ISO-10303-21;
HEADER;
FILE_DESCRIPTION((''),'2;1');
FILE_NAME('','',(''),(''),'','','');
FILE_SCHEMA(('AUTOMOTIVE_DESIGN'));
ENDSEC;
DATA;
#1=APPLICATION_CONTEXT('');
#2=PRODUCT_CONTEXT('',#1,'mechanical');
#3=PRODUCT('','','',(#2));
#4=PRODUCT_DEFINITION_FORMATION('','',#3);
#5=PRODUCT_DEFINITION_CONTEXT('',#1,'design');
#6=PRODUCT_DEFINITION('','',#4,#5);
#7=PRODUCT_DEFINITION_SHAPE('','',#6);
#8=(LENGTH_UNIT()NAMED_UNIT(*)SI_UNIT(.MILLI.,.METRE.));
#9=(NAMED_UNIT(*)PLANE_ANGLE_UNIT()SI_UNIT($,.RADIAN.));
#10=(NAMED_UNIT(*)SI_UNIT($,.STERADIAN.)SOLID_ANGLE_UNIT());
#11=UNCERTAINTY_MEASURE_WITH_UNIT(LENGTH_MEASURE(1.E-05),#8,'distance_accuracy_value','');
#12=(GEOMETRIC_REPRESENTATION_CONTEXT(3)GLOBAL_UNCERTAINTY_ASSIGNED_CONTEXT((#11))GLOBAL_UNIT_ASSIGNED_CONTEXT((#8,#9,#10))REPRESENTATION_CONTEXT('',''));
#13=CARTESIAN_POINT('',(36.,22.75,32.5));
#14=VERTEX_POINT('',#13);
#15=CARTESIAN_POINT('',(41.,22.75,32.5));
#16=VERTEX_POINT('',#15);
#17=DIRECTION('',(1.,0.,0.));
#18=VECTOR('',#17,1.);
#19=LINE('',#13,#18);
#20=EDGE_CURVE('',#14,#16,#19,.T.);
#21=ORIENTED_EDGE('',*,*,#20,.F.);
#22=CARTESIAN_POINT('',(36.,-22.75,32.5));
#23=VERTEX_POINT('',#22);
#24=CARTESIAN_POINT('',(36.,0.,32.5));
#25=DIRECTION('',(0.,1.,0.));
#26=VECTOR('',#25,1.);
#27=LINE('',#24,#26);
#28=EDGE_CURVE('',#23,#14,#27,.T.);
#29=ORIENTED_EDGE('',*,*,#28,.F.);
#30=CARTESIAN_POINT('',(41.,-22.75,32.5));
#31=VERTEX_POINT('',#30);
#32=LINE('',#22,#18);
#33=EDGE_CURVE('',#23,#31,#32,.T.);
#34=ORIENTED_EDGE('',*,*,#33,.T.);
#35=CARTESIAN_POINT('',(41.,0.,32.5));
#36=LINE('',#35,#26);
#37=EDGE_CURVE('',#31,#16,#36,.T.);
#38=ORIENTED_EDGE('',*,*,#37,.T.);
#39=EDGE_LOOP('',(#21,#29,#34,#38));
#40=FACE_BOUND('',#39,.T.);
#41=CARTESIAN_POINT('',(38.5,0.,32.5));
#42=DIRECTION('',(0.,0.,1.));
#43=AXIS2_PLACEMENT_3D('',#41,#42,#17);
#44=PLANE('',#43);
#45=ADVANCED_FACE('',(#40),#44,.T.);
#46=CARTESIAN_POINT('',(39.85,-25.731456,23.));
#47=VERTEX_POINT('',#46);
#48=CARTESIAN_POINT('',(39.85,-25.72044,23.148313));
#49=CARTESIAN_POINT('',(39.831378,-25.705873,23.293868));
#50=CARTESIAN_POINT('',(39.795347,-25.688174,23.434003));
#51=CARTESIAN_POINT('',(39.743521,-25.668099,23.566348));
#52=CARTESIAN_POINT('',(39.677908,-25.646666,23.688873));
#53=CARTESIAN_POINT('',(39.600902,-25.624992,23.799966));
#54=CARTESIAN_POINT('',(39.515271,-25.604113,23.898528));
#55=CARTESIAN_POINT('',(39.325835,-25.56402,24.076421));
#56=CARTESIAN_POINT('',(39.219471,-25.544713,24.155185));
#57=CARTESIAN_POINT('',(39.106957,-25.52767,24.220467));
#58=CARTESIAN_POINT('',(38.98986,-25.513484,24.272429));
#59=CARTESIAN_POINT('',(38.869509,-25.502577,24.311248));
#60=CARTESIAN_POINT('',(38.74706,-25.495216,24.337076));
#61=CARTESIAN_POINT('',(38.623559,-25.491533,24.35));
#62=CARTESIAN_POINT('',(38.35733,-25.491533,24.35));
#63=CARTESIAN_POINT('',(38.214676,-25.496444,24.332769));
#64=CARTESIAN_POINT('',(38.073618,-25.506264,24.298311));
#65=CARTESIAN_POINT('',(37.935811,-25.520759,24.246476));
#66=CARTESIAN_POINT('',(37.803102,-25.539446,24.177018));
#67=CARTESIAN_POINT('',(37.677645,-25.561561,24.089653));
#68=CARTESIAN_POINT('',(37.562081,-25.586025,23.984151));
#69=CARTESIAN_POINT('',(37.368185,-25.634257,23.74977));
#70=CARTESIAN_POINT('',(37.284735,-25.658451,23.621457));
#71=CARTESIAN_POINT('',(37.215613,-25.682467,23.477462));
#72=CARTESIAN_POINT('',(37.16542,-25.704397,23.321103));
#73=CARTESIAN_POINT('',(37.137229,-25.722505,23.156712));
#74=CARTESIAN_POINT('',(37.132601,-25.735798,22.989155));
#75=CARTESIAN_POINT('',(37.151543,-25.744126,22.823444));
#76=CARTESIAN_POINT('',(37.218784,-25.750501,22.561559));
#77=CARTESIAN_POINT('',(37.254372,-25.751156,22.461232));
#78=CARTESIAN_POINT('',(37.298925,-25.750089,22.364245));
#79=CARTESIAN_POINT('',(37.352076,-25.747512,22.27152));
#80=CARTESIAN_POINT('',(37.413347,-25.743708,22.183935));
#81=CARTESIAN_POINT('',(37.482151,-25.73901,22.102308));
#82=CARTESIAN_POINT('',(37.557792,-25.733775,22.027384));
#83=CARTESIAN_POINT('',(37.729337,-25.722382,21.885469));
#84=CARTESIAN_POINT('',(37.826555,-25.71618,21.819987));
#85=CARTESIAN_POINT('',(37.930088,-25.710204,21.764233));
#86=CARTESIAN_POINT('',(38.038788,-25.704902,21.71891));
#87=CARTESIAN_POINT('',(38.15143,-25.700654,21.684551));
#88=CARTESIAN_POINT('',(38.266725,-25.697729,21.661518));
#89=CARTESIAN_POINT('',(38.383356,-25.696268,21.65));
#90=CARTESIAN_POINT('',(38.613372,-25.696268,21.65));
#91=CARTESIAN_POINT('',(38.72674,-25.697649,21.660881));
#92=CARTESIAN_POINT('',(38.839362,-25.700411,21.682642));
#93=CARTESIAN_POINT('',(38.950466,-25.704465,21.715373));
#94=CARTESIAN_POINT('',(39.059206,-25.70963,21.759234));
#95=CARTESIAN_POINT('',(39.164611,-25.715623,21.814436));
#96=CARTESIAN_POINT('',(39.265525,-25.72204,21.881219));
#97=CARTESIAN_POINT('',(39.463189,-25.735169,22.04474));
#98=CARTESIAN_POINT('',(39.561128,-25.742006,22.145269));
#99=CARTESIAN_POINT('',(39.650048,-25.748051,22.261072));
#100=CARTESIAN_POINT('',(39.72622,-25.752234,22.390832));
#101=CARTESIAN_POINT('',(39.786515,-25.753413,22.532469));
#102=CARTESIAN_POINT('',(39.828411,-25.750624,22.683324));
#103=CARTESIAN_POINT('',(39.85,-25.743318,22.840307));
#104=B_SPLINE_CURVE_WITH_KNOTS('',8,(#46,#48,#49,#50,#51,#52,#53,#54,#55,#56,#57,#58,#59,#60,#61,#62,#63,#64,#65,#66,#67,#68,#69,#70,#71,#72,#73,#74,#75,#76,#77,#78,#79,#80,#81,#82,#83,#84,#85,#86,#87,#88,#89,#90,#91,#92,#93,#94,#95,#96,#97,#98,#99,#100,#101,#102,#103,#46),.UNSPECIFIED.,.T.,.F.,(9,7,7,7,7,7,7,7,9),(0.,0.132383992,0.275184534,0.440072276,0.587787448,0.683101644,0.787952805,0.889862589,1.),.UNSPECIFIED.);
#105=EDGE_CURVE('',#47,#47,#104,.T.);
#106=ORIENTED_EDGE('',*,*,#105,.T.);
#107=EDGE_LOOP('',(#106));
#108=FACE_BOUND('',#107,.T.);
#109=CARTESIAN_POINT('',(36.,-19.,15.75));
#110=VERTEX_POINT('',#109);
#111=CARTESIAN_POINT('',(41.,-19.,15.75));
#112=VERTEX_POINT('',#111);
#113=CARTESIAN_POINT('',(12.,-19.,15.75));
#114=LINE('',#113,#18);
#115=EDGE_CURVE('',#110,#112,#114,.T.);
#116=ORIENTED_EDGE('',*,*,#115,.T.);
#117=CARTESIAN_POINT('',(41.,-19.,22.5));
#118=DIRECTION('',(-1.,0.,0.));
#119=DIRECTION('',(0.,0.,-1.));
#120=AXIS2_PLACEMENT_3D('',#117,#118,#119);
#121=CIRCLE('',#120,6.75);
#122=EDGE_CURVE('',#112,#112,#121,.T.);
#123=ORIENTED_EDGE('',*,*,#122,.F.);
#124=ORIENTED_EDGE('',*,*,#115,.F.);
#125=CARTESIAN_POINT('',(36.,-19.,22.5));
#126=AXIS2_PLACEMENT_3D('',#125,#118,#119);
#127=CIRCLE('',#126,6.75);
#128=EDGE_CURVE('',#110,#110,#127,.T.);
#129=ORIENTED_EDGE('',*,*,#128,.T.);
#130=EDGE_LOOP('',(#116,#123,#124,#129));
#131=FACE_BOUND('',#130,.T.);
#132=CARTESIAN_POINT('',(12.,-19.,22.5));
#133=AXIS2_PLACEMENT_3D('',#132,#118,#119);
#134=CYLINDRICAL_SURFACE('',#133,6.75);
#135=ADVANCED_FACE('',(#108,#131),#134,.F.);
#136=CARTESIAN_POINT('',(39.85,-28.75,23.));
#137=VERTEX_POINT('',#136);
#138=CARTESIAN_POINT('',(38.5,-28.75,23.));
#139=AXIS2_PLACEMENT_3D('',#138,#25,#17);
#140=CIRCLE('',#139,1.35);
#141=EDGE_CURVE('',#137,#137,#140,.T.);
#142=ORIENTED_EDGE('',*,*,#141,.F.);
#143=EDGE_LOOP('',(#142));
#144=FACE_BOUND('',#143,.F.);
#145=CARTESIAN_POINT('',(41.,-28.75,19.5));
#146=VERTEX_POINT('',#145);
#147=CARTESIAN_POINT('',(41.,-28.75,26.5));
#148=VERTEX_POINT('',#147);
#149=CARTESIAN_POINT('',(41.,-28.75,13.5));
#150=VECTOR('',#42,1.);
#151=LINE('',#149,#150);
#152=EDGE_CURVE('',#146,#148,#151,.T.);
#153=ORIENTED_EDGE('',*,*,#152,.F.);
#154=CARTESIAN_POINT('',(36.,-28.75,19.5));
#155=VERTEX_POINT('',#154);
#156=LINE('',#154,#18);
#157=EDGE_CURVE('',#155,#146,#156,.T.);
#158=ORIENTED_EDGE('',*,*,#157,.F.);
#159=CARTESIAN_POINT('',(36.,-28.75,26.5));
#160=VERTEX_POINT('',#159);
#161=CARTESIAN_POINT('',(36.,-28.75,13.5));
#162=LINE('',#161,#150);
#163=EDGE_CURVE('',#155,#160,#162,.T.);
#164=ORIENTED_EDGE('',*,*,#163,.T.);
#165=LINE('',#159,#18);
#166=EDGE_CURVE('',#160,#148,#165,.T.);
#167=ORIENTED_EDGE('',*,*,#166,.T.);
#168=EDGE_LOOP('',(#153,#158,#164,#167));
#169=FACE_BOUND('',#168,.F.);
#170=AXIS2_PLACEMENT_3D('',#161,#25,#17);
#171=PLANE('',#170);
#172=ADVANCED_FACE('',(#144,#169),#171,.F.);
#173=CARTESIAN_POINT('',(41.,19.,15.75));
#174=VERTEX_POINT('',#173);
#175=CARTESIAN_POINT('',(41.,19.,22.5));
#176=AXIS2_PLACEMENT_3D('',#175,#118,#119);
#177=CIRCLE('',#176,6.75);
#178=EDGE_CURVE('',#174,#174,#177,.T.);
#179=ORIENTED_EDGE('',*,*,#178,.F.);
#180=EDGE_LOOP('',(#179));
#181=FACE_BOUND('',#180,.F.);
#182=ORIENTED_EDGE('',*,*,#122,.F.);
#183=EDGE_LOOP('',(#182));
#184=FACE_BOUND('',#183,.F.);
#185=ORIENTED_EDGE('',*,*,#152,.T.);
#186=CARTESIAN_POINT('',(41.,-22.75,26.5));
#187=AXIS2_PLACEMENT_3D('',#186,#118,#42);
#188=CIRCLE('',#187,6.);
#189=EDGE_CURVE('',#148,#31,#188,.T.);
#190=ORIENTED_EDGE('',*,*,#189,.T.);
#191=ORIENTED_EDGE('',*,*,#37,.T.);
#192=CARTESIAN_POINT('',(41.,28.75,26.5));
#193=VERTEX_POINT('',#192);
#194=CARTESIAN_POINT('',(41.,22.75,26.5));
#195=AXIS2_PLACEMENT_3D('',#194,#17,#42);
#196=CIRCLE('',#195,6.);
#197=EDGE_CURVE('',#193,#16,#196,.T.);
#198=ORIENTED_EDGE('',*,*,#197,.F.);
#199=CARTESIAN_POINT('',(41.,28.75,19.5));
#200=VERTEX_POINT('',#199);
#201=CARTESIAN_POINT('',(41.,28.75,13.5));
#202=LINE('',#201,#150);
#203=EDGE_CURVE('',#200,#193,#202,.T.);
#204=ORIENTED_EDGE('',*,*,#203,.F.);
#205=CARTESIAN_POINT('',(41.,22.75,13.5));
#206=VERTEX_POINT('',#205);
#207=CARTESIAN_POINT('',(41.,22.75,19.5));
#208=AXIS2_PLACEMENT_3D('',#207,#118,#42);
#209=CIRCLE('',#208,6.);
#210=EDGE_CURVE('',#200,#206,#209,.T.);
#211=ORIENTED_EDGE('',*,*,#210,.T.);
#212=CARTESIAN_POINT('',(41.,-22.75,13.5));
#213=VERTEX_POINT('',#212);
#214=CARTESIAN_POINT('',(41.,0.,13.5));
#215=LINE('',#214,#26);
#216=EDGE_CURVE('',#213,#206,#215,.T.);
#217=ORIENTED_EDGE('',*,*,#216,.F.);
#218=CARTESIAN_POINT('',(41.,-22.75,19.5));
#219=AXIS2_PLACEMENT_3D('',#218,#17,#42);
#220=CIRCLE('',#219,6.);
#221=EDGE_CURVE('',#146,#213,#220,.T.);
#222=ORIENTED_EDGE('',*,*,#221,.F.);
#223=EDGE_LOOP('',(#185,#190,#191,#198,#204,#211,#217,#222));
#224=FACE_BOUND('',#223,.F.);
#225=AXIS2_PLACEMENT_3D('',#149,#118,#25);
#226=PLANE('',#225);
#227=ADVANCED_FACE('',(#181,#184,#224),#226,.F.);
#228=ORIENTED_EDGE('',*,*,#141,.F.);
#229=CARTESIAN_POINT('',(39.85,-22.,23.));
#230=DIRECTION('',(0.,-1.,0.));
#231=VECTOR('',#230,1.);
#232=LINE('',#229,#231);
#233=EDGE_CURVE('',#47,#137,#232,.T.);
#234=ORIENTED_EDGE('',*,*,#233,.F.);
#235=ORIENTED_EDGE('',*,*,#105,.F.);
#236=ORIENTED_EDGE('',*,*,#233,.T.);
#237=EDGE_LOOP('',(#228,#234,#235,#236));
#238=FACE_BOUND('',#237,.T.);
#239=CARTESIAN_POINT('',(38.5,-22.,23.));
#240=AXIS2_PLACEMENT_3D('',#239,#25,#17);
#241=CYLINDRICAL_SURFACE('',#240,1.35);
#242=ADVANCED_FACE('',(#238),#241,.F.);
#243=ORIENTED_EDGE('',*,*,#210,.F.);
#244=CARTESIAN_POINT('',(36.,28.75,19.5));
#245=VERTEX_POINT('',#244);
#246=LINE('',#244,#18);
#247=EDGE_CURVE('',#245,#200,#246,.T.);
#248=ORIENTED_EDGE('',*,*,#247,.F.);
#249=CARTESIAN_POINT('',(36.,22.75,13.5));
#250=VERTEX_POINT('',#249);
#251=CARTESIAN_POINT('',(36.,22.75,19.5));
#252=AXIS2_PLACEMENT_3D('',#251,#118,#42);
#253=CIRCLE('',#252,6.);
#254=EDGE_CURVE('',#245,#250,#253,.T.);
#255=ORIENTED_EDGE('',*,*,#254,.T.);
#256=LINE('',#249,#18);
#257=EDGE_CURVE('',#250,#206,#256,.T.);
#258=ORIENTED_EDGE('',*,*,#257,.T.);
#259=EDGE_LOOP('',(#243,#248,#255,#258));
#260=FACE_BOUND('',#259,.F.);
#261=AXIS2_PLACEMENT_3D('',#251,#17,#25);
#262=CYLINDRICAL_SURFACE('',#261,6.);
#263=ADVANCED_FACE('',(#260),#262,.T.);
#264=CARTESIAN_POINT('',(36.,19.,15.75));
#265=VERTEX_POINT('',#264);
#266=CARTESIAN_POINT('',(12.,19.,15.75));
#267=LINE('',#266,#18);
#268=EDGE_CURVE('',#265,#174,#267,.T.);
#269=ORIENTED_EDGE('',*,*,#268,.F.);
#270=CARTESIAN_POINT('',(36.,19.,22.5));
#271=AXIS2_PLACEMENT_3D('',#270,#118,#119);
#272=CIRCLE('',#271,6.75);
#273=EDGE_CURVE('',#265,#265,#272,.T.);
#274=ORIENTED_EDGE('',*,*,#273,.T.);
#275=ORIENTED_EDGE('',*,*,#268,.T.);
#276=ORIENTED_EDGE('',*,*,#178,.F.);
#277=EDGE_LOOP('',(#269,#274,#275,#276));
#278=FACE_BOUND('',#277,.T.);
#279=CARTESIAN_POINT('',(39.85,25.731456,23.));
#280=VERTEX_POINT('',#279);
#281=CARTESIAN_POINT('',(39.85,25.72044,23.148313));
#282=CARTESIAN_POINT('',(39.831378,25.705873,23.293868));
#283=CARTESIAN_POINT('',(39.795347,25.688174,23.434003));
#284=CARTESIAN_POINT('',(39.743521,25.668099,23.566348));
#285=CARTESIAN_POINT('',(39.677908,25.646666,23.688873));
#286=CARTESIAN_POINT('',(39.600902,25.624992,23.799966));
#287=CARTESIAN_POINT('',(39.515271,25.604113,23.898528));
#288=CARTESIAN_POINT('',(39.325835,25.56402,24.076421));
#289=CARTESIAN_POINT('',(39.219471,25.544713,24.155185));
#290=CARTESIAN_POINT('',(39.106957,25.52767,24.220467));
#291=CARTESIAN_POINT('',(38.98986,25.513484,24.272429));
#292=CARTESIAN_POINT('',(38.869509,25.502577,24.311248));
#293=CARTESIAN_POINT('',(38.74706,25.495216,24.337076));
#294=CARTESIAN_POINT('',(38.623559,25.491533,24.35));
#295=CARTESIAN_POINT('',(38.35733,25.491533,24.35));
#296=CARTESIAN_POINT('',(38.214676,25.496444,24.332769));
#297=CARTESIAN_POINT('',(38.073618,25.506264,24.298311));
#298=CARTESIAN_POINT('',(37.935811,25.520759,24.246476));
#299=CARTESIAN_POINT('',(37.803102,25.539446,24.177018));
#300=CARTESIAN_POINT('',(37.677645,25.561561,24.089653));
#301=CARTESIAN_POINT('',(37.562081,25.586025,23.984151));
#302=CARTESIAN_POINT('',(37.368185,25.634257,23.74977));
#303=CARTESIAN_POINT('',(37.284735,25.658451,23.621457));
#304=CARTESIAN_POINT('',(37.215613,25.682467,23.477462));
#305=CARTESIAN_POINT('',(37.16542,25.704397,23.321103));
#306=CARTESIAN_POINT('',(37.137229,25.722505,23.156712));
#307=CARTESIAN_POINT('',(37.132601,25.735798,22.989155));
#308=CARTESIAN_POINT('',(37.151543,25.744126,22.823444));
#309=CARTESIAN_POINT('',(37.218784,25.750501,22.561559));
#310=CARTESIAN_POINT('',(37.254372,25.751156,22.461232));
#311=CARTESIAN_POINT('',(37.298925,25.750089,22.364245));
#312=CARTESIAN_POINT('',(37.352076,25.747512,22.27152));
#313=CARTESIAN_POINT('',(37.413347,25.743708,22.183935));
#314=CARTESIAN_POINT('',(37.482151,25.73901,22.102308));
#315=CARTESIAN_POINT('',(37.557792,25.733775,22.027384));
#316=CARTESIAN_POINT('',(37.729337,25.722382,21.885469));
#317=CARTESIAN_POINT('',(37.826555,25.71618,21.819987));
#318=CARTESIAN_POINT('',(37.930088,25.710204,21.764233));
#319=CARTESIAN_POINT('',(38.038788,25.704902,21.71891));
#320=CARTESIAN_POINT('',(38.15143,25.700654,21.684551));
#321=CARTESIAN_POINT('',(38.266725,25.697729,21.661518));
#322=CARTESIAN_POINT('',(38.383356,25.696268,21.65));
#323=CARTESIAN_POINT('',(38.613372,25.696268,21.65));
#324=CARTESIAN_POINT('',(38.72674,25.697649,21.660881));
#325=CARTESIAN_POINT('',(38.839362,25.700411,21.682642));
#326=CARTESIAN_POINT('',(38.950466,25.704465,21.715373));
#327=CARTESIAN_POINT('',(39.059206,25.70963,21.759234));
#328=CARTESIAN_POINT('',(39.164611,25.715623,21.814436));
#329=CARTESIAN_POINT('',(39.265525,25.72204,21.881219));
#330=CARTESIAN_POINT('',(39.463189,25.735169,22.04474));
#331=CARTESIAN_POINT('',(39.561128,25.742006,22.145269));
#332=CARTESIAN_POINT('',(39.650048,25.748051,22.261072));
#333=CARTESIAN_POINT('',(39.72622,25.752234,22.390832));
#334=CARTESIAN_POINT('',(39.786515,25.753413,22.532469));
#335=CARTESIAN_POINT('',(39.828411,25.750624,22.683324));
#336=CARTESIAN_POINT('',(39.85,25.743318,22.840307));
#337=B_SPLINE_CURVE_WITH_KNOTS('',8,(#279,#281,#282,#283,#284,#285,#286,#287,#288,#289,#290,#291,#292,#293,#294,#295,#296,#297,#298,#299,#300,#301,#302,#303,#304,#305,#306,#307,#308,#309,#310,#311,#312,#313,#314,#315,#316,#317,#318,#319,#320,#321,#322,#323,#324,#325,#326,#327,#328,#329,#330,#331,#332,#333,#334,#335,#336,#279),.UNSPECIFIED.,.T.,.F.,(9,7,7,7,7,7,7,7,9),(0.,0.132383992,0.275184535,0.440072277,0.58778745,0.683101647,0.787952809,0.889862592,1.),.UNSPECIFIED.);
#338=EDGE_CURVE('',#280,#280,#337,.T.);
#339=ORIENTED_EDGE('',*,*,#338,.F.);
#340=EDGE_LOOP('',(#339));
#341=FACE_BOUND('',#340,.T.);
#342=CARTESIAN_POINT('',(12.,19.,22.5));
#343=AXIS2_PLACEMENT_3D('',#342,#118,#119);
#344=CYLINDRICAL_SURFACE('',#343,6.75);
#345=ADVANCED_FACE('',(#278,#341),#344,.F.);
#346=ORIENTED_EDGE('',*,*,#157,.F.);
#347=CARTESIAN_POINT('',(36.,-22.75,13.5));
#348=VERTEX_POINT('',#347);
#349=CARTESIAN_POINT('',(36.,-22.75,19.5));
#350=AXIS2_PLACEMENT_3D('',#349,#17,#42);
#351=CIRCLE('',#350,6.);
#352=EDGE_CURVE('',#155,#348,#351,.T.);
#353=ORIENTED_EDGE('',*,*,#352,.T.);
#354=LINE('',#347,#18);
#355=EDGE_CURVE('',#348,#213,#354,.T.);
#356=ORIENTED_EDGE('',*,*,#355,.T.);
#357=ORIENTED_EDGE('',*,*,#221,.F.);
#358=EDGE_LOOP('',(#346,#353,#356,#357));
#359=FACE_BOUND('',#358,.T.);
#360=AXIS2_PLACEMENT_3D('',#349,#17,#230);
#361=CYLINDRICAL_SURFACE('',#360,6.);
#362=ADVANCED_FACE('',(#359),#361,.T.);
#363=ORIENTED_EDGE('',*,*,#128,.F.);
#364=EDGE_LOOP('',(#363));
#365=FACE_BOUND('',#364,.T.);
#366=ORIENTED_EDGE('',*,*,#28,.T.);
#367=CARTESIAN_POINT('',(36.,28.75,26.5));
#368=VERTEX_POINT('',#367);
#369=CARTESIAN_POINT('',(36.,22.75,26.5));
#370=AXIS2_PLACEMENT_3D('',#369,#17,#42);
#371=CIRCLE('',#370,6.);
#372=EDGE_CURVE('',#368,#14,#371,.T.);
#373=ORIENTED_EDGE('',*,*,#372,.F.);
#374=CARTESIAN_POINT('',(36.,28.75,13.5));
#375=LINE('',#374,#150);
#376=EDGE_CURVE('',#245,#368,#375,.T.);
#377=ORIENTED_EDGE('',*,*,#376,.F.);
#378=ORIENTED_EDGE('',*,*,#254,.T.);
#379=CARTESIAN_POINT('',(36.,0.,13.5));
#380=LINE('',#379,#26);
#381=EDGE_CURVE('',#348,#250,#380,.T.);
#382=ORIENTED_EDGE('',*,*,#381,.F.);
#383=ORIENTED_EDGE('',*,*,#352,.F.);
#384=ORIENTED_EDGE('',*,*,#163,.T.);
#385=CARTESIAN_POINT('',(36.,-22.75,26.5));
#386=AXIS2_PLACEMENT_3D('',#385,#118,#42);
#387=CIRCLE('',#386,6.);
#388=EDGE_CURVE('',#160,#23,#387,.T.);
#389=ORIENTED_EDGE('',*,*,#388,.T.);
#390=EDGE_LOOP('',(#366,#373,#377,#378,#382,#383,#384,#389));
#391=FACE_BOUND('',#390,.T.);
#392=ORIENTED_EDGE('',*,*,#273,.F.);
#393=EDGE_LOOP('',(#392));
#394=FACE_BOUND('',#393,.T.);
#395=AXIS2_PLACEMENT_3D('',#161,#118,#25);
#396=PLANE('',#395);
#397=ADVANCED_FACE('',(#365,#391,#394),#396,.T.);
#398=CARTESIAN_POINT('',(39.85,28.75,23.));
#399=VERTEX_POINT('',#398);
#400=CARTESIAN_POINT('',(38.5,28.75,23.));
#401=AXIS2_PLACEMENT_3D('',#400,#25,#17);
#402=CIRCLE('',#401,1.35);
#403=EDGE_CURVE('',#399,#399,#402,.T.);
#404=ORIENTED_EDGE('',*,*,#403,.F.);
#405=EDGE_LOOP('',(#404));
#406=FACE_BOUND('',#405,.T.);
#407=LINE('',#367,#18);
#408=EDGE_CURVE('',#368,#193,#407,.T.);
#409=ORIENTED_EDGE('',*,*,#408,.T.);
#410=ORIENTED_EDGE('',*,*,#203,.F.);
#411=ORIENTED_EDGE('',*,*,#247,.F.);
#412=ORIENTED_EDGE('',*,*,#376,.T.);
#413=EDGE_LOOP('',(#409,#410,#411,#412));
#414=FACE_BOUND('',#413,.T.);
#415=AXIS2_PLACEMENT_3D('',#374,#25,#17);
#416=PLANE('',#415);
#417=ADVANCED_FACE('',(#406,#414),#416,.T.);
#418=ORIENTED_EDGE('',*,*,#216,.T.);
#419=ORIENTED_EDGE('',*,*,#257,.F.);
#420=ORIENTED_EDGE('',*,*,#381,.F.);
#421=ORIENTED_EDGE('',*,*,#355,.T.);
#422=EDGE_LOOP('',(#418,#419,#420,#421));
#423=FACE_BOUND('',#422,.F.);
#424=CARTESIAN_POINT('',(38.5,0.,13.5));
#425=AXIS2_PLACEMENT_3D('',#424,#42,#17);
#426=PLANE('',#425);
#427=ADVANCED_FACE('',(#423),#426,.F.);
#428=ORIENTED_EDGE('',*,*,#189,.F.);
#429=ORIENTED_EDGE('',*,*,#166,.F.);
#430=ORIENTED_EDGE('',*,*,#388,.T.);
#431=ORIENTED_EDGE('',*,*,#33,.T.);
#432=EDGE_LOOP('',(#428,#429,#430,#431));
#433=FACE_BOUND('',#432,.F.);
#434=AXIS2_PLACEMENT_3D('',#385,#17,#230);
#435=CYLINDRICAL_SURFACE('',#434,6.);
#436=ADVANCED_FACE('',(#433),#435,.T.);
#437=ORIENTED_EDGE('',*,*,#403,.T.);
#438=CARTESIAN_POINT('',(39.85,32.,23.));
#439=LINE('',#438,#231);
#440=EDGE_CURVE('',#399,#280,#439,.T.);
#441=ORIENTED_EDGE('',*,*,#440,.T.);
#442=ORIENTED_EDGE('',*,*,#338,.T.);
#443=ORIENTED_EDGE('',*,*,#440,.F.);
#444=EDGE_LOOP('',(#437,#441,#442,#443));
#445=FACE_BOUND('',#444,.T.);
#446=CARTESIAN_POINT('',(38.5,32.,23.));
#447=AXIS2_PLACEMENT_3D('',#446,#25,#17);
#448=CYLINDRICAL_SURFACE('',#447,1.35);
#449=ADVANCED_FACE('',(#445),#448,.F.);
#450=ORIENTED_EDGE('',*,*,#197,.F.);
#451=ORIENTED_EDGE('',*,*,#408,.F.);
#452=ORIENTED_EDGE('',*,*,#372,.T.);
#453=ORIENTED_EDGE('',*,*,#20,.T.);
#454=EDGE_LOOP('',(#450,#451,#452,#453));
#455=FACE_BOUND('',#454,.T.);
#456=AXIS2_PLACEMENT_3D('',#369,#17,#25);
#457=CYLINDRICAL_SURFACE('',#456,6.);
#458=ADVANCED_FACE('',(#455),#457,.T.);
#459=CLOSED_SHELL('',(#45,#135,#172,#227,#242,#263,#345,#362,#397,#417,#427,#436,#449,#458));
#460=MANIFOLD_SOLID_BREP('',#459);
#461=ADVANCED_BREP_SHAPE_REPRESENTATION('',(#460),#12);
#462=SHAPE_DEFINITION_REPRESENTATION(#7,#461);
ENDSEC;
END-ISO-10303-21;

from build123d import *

# Parameters (mm, degrees)
CYLINDER022_R     = 1.35
CYLINDER022_DEPTH = 10
CYLINDER021_R     = 1.35
CYLINDER021_DEPTH = 10
CYLINDER020_R     = 6.75
CYLINDER020_DEPTH = 50
CYLINDER019_R     = 6.75
CYLINDER019_DEPTH = 50
BOX005_W          = 5
BOX005_H          = 57.5
BOX005_DEPTH      = 19
FILLET007_R       = 6


with BuildPart() as cylinder017:
    # Cylinder022 → Cylinder022 (new body)
    with BuildSketch(Plane(origin=(2.5, -22, 23), x_dir=(1, 0, 0), z_dir=(0, -1, 0))):
        Circle(CYLINDER022_R)
    extrude(amount=CYLINDER022_DEPTH)


with BuildPart() as cylinder016:
    # Cylinder021 → Cylinder021 (new body)
    with BuildSketch(Plane(origin=(2.5, 32, 23), x_dir=(1, 0, 0), z_dir=(0, -1, 0))):
        Circle(CYLINDER021_R)
    extrude(amount=CYLINDER021_DEPTH)


with BuildPart() as tubo004:
    # Cylinder020 → Cylinder020 (new body)
    with BuildSketch(Plane(origin=(-24, 19, 22.5), x_dir=(0, 0, -1), z_dir=(1, 0, 0))):
        Circle(CYLINDER020_R)
    extrude(amount=CYLINDER020_DEPTH)


with BuildPart() as tubo003:
    # Cylinder019 → Cylinder019 (new body)
    with BuildSketch(Plane(origin=(-24, -19, 22.5), x_dir=(0, 0, -1), z_dir=(1, 0, 0))):
        Circle(CYLINDER019_R)
    extrude(amount=CYLINDER019_DEPTH)


with BuildPart() as soporte_separador_tubos:
    # Box005 → Box005 (new body)
    with BuildSketch(Plane(origin=(0, -28.75, 13.5), x_dir=(1, 0, 0), z_dir=(0, 0, 1))):
        with Locations((2.5, 28.75)):
            Rectangle(BOX005_W, BOX005_H)
    extrude(amount=BOX005_DEPTH)

    # Fillet007
    fillet007_edges = [soporte_separador_tubos.edges().sort_by_distance(p)[0] for p in [
        (2.5, -28.75, 13.5),
        (2.5, -28.75, 32.5),
        (2.5, 28.75, 13.5),
        (2.5, 28.75, 32.5),
    ]]
    fillet(fillet007_edges, radius=FILLET007_R)

    # Cut016: cut tubo003
    add(tubo003.part, mode=Mode.SUBTRACT)

    # Cut017: cut tubo004
    add(tubo004.part, mode=Mode.SUBTRACT)

    # Cut018: cut Cylinder016
    add(cylinder016.part, mode=Mode.SUBTRACT)

    # Cut019: cut Cylinder017
    add(cylinder017.part, mode=Mode.SUBTRACT)


with BuildPart() as soporte_separador_tubos_1:
    # Cut019 placement: moved
    add(soporte_separador_tubos.part.moved(Location((36, 0, 0))))


solid = soporte_separador_tubos_1.part
